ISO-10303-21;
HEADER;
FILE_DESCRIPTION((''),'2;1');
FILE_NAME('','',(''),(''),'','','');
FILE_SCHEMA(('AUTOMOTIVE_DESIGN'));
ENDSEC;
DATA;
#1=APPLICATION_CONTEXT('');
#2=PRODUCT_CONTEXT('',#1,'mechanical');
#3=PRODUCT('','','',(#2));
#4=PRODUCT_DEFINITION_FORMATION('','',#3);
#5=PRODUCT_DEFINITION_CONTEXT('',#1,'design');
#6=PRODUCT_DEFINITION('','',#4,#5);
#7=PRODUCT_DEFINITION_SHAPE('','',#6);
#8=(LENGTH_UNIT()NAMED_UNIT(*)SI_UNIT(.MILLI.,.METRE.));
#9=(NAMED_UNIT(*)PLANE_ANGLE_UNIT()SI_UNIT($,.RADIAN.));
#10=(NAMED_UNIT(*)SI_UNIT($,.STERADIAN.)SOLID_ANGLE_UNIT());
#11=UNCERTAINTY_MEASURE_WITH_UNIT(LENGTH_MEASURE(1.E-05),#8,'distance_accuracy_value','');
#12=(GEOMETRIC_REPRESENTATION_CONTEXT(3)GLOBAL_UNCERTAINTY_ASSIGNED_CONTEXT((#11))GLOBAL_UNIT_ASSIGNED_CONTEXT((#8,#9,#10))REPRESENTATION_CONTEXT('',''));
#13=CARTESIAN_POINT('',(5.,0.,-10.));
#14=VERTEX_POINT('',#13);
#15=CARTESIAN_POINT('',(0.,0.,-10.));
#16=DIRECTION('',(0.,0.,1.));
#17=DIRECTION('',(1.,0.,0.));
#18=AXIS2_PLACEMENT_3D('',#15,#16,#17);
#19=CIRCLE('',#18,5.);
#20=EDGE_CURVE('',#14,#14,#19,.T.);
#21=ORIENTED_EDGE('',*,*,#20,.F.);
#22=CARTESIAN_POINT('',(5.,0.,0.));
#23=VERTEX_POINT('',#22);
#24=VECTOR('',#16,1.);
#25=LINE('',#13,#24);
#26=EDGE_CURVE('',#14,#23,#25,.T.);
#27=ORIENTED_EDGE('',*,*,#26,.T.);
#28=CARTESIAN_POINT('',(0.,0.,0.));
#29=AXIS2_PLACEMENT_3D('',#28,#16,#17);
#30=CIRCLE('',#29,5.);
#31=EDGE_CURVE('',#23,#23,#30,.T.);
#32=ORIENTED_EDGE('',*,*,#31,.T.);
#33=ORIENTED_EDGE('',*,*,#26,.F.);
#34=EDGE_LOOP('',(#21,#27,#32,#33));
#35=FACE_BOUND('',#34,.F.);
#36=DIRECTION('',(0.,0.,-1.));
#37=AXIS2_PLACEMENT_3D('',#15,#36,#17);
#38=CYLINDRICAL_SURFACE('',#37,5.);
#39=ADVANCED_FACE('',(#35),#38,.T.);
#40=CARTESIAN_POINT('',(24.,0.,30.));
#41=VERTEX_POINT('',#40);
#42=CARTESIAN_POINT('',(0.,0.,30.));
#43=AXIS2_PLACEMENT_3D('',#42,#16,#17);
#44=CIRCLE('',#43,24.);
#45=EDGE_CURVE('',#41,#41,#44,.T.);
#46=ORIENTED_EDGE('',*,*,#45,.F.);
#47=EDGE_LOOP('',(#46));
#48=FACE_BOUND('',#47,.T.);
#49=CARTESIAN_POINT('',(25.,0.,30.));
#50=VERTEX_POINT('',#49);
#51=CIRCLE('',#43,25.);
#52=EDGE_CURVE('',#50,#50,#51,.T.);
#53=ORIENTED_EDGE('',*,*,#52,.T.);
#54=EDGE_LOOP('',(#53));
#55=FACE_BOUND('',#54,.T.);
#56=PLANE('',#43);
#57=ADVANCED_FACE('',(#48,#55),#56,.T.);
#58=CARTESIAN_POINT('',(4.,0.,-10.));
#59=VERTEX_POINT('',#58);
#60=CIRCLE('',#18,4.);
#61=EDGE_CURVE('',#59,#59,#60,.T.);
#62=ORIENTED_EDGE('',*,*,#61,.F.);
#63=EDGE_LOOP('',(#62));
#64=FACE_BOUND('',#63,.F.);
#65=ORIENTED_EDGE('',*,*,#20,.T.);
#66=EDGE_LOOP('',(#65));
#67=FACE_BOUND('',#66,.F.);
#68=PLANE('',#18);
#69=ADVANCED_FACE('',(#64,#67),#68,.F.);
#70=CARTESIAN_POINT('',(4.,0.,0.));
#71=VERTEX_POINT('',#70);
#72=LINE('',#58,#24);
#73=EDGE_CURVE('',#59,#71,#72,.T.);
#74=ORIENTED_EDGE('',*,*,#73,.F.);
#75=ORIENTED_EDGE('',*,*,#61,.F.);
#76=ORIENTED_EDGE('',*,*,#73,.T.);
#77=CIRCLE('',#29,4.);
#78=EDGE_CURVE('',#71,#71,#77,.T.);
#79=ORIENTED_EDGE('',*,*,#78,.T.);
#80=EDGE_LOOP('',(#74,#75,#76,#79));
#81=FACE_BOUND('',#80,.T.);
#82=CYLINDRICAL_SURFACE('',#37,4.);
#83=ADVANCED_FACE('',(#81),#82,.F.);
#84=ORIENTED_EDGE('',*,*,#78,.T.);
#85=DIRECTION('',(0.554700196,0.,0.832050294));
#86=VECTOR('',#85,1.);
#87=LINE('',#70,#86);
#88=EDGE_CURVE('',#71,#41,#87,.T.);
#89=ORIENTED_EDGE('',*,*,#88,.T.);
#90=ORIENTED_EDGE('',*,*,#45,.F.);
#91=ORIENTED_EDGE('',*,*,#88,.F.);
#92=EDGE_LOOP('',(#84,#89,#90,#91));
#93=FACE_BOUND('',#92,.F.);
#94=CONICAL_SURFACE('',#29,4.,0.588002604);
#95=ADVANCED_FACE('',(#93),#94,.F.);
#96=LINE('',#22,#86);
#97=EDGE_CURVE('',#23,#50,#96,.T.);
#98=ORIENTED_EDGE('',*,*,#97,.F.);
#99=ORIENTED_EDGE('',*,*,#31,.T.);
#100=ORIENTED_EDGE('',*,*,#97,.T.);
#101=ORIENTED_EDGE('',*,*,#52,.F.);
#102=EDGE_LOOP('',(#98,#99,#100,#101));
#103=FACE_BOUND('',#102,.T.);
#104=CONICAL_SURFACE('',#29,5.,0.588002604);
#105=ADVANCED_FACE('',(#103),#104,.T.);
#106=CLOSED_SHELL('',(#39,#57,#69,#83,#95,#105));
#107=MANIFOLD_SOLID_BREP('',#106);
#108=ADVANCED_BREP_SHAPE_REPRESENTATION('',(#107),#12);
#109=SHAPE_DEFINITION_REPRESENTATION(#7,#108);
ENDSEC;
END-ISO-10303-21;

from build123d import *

# Parameters (mm, degrees)
CYLINDER001_R     = 4
CYLINDER001_DEPTH = 10
CYLINDER_R        = 5
CYLINDER_DEPTH    = 10


with BuildPart() as con001:
    # Cone001 → Cone001 (revolve)
    with BuildSketch(Plane.XZ):
        Polygon((0, 0), (4, 0), (24, 30), (0, 30), align=None)
    revolve(axis=Axis((0, 0, 0), (0, 0, 1)))


with BuildPart() as cut:
    # Cone → Cone (revolve)
    with BuildSketch(Plane.XZ):
        Polygon((0, 0), (5, 0), (25, 30), (0, 30), align=None)
    revolve(axis=Axis((0, 0, 0), (0, 0, 1)))

    # Cut: cut Con001
    add(con001.part, mode=Mode.SUBTRACT)


with BuildPart() as cilindre001:
    # Cylinder001 → Cylinder001 (new body)
    with BuildSketch(Plane.XY.offset(-10)):
        Circle(CYLINDER001_R)
    extrude(amount=CYLINDER001_DEPTH)


with BuildPart() as embut:
    # Cylinder → Cylinder (new body)
    with BuildSketch(Plane.XY.offset(-10)):
        Circle(CYLINDER_R)
    extrude(amount=CYLINDER_DEPTH)

    # Cut001: cut Cilindre001
    add(cilindre001.part, mode=Mode.SUBTRACT)

    # Fusion: union Cut
    add(cut.part)


solid = embut.part
